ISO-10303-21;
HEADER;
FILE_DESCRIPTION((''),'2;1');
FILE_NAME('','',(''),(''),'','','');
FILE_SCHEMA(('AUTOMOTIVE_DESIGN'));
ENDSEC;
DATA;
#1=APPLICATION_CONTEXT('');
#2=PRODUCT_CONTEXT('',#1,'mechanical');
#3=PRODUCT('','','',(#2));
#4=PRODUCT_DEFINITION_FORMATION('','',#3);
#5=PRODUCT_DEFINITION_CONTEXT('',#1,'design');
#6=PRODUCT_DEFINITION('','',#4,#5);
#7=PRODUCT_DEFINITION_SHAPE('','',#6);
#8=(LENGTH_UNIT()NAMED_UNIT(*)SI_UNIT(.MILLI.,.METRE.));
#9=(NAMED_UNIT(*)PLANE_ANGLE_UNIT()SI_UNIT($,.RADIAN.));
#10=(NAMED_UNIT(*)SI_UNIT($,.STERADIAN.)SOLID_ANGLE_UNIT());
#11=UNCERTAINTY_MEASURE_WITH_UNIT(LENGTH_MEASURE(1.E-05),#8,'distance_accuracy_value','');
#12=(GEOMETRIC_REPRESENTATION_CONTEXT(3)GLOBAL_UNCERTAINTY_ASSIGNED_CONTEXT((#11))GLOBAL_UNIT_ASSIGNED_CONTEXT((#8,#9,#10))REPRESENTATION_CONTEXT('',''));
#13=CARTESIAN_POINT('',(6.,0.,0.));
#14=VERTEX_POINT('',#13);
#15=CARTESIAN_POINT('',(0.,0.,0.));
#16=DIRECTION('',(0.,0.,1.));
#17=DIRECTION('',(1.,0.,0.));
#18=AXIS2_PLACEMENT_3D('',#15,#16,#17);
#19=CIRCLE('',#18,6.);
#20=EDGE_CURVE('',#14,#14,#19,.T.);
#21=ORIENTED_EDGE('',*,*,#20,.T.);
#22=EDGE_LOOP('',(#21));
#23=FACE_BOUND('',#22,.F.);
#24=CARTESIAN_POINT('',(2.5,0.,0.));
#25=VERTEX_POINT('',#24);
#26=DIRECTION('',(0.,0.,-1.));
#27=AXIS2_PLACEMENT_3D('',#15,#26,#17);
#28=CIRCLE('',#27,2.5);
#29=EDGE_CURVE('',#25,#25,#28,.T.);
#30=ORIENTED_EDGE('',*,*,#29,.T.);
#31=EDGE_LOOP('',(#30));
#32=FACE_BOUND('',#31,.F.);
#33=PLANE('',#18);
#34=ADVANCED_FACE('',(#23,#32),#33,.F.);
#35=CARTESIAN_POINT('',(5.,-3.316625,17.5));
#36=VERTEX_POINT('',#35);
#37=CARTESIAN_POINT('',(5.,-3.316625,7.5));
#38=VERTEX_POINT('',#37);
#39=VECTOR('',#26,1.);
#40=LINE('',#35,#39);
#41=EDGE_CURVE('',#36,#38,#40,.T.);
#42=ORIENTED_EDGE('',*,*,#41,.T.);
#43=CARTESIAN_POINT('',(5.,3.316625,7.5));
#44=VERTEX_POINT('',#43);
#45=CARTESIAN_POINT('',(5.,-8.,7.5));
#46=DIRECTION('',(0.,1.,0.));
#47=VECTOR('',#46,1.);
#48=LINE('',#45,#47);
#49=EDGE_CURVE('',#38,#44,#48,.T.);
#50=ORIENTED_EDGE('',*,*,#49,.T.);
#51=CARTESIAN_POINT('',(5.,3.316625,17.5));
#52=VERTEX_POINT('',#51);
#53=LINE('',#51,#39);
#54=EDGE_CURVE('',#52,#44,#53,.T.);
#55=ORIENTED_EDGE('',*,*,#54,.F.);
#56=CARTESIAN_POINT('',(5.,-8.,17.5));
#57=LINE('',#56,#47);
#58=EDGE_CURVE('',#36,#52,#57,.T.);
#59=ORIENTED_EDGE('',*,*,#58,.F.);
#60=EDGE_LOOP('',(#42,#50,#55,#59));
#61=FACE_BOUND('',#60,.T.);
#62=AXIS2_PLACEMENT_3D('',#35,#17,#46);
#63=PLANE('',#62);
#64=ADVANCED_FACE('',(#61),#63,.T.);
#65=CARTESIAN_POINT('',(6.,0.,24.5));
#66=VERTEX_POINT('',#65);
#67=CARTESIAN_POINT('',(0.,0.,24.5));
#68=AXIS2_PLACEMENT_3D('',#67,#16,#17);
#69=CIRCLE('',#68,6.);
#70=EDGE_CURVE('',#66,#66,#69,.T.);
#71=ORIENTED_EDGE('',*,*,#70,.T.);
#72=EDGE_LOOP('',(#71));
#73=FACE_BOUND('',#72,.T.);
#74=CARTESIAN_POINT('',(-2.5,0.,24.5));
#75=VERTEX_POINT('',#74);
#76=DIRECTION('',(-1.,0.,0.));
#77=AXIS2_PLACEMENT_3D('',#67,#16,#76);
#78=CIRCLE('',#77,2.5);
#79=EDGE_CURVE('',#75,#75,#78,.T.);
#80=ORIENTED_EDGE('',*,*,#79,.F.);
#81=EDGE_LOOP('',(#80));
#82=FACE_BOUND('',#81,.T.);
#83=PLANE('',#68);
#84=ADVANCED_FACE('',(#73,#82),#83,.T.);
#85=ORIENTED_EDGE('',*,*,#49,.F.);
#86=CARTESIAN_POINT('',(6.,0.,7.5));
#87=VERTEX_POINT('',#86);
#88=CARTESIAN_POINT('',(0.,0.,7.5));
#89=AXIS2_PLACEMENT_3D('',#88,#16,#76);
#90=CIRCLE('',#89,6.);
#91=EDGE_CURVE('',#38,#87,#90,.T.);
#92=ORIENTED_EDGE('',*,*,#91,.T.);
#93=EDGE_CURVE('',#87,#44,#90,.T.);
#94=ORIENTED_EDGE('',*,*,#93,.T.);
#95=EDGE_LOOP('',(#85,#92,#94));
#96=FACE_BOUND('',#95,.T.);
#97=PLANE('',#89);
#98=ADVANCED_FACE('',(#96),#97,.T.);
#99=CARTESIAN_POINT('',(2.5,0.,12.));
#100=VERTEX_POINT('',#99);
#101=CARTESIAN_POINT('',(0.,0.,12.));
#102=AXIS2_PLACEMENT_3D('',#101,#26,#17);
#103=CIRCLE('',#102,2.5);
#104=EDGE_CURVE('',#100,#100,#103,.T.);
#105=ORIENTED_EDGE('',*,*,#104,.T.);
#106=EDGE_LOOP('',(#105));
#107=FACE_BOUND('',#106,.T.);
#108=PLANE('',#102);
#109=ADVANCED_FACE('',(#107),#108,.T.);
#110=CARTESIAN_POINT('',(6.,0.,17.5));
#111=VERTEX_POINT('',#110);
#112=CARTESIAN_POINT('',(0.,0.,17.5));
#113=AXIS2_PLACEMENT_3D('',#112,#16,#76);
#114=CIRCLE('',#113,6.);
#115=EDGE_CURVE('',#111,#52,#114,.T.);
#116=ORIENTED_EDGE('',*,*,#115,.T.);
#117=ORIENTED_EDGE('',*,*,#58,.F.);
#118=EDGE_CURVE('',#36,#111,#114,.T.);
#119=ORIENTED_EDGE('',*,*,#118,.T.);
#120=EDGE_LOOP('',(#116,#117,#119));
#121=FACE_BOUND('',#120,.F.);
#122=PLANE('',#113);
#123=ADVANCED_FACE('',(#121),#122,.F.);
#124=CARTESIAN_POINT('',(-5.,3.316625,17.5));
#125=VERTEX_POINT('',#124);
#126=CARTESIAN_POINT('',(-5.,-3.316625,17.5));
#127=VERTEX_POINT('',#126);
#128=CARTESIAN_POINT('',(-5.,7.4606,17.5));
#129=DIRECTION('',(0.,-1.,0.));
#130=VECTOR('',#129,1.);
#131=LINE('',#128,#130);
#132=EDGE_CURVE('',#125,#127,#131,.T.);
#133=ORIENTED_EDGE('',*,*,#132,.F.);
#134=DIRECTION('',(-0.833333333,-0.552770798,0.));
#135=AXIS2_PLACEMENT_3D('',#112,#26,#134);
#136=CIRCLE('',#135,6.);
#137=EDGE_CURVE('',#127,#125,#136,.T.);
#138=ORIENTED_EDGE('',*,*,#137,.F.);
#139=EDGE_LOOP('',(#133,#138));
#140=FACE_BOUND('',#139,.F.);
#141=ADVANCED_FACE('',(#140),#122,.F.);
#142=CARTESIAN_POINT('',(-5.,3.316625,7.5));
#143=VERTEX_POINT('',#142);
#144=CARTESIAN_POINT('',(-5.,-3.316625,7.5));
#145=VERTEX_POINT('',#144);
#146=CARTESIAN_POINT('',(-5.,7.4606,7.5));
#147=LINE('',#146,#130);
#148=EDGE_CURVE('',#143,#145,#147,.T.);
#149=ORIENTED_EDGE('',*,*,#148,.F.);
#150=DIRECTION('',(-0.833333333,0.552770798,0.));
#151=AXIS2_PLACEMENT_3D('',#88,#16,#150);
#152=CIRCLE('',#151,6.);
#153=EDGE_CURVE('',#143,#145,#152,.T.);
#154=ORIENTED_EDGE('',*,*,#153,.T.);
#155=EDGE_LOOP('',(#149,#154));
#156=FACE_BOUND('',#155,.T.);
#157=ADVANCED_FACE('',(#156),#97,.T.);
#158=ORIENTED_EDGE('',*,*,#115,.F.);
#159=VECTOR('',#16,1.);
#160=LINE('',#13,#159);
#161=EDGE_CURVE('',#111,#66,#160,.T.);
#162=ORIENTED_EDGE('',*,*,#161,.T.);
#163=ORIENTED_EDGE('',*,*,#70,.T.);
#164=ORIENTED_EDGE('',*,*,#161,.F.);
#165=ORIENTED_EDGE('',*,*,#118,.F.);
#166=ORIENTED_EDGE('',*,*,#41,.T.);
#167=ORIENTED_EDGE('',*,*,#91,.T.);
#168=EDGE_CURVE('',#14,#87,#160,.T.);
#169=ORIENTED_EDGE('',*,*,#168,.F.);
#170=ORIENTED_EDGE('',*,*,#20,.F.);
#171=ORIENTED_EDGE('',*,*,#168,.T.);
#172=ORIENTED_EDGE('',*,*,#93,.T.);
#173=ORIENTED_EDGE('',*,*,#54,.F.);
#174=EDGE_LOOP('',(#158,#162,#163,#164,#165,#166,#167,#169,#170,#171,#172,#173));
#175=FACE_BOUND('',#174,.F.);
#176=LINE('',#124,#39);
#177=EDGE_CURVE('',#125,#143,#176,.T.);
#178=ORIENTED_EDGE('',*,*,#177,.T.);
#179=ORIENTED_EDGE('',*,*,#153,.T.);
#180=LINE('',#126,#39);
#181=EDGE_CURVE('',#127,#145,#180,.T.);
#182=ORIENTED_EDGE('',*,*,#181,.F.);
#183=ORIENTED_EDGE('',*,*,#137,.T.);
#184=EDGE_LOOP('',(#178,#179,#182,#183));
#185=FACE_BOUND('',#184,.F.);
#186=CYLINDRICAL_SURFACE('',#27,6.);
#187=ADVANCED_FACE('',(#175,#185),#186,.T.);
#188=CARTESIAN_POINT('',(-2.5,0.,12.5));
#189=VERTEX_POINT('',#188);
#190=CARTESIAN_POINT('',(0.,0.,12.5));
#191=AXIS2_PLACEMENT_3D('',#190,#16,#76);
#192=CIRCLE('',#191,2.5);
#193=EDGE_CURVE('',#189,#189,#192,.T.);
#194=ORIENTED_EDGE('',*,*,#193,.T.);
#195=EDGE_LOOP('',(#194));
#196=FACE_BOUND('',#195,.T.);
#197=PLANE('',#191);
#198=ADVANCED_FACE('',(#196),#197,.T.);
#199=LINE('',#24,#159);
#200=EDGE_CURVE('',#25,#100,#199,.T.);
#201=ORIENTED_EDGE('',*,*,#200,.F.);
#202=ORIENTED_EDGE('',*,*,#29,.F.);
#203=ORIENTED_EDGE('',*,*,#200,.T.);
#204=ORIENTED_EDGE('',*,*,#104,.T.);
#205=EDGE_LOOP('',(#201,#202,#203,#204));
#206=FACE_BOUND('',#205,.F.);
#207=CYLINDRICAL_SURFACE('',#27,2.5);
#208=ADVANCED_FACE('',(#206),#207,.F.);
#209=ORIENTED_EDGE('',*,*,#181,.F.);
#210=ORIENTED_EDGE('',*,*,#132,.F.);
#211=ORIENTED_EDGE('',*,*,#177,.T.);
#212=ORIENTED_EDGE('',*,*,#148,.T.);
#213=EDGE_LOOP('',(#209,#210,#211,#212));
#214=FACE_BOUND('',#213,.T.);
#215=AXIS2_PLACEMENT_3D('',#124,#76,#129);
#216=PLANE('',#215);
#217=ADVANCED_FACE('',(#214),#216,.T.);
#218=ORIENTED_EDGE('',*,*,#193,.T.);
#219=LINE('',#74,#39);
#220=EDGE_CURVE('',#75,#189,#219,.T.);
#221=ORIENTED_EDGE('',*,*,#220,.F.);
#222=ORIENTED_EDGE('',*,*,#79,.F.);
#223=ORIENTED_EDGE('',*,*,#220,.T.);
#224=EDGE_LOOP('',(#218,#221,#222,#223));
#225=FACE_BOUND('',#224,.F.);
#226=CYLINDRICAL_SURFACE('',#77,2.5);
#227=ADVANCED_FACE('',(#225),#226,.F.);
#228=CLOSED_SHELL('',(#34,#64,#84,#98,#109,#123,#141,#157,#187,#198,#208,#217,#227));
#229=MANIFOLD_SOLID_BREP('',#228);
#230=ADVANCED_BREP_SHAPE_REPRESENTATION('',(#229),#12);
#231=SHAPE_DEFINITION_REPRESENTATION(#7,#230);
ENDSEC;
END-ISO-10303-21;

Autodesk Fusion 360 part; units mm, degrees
sketch "Esquisse1" plane through (0, 0, 0) normal (0, 0, 1) x (1, 0, 0)
  circle A0 centre (0, 0) radius 6
  dimension "d1" = 12
extrude "Extrusion1" add sketch "Esquisse1" along normal blind 24.5
sketch "Esquisse2" plane through (0, 0, 24.5) normal (0, 0, 1) x (-1, 0, 0)
  circle A0 centre (0, 0) radius 6
  circle A1 centre (0, 0) radius 2.5
  dimension "d5" = 5
extrude "Extrusion2" cut sketch "Esquisse2" against normal blind 12 contours A1
sketch "Esquisse3" plane through (0, 0, 0) normal (0, 0, -1) x (1, 0, 0)
  circle A0 centre (0, 0) radius 6
  circle A1 centre (0, 0) radius 2.5
  dimension "d8" = 5
extrude "Extrusion3" cut sketch "Esquisse3" against normal blind 12 contours A1
sketch "Esquisse4" plane through (0, 0, 24.5) normal (0, 0, 1) x (-1, 0, 0)
  circle A0 centre (0, 0) radius 2.5
  circle A1 centre (0, 0) radius 6
  line L0 (5, 8) -> (-5, 8)
  line L1 (-5, 8) -> (-5, -7.4606)
  line L2 (-5, -7.4606) -> (5, -7.4606)
  line L3 (5, -7.4606) -> (5, 8)
  dimension "d11" = 5
  dimension "d12" = 10
extrude "Extrusion4" cut sketch "Esquisse4" against normal blind 10 from surface at -7 contours A1 L3 | A1 L1
